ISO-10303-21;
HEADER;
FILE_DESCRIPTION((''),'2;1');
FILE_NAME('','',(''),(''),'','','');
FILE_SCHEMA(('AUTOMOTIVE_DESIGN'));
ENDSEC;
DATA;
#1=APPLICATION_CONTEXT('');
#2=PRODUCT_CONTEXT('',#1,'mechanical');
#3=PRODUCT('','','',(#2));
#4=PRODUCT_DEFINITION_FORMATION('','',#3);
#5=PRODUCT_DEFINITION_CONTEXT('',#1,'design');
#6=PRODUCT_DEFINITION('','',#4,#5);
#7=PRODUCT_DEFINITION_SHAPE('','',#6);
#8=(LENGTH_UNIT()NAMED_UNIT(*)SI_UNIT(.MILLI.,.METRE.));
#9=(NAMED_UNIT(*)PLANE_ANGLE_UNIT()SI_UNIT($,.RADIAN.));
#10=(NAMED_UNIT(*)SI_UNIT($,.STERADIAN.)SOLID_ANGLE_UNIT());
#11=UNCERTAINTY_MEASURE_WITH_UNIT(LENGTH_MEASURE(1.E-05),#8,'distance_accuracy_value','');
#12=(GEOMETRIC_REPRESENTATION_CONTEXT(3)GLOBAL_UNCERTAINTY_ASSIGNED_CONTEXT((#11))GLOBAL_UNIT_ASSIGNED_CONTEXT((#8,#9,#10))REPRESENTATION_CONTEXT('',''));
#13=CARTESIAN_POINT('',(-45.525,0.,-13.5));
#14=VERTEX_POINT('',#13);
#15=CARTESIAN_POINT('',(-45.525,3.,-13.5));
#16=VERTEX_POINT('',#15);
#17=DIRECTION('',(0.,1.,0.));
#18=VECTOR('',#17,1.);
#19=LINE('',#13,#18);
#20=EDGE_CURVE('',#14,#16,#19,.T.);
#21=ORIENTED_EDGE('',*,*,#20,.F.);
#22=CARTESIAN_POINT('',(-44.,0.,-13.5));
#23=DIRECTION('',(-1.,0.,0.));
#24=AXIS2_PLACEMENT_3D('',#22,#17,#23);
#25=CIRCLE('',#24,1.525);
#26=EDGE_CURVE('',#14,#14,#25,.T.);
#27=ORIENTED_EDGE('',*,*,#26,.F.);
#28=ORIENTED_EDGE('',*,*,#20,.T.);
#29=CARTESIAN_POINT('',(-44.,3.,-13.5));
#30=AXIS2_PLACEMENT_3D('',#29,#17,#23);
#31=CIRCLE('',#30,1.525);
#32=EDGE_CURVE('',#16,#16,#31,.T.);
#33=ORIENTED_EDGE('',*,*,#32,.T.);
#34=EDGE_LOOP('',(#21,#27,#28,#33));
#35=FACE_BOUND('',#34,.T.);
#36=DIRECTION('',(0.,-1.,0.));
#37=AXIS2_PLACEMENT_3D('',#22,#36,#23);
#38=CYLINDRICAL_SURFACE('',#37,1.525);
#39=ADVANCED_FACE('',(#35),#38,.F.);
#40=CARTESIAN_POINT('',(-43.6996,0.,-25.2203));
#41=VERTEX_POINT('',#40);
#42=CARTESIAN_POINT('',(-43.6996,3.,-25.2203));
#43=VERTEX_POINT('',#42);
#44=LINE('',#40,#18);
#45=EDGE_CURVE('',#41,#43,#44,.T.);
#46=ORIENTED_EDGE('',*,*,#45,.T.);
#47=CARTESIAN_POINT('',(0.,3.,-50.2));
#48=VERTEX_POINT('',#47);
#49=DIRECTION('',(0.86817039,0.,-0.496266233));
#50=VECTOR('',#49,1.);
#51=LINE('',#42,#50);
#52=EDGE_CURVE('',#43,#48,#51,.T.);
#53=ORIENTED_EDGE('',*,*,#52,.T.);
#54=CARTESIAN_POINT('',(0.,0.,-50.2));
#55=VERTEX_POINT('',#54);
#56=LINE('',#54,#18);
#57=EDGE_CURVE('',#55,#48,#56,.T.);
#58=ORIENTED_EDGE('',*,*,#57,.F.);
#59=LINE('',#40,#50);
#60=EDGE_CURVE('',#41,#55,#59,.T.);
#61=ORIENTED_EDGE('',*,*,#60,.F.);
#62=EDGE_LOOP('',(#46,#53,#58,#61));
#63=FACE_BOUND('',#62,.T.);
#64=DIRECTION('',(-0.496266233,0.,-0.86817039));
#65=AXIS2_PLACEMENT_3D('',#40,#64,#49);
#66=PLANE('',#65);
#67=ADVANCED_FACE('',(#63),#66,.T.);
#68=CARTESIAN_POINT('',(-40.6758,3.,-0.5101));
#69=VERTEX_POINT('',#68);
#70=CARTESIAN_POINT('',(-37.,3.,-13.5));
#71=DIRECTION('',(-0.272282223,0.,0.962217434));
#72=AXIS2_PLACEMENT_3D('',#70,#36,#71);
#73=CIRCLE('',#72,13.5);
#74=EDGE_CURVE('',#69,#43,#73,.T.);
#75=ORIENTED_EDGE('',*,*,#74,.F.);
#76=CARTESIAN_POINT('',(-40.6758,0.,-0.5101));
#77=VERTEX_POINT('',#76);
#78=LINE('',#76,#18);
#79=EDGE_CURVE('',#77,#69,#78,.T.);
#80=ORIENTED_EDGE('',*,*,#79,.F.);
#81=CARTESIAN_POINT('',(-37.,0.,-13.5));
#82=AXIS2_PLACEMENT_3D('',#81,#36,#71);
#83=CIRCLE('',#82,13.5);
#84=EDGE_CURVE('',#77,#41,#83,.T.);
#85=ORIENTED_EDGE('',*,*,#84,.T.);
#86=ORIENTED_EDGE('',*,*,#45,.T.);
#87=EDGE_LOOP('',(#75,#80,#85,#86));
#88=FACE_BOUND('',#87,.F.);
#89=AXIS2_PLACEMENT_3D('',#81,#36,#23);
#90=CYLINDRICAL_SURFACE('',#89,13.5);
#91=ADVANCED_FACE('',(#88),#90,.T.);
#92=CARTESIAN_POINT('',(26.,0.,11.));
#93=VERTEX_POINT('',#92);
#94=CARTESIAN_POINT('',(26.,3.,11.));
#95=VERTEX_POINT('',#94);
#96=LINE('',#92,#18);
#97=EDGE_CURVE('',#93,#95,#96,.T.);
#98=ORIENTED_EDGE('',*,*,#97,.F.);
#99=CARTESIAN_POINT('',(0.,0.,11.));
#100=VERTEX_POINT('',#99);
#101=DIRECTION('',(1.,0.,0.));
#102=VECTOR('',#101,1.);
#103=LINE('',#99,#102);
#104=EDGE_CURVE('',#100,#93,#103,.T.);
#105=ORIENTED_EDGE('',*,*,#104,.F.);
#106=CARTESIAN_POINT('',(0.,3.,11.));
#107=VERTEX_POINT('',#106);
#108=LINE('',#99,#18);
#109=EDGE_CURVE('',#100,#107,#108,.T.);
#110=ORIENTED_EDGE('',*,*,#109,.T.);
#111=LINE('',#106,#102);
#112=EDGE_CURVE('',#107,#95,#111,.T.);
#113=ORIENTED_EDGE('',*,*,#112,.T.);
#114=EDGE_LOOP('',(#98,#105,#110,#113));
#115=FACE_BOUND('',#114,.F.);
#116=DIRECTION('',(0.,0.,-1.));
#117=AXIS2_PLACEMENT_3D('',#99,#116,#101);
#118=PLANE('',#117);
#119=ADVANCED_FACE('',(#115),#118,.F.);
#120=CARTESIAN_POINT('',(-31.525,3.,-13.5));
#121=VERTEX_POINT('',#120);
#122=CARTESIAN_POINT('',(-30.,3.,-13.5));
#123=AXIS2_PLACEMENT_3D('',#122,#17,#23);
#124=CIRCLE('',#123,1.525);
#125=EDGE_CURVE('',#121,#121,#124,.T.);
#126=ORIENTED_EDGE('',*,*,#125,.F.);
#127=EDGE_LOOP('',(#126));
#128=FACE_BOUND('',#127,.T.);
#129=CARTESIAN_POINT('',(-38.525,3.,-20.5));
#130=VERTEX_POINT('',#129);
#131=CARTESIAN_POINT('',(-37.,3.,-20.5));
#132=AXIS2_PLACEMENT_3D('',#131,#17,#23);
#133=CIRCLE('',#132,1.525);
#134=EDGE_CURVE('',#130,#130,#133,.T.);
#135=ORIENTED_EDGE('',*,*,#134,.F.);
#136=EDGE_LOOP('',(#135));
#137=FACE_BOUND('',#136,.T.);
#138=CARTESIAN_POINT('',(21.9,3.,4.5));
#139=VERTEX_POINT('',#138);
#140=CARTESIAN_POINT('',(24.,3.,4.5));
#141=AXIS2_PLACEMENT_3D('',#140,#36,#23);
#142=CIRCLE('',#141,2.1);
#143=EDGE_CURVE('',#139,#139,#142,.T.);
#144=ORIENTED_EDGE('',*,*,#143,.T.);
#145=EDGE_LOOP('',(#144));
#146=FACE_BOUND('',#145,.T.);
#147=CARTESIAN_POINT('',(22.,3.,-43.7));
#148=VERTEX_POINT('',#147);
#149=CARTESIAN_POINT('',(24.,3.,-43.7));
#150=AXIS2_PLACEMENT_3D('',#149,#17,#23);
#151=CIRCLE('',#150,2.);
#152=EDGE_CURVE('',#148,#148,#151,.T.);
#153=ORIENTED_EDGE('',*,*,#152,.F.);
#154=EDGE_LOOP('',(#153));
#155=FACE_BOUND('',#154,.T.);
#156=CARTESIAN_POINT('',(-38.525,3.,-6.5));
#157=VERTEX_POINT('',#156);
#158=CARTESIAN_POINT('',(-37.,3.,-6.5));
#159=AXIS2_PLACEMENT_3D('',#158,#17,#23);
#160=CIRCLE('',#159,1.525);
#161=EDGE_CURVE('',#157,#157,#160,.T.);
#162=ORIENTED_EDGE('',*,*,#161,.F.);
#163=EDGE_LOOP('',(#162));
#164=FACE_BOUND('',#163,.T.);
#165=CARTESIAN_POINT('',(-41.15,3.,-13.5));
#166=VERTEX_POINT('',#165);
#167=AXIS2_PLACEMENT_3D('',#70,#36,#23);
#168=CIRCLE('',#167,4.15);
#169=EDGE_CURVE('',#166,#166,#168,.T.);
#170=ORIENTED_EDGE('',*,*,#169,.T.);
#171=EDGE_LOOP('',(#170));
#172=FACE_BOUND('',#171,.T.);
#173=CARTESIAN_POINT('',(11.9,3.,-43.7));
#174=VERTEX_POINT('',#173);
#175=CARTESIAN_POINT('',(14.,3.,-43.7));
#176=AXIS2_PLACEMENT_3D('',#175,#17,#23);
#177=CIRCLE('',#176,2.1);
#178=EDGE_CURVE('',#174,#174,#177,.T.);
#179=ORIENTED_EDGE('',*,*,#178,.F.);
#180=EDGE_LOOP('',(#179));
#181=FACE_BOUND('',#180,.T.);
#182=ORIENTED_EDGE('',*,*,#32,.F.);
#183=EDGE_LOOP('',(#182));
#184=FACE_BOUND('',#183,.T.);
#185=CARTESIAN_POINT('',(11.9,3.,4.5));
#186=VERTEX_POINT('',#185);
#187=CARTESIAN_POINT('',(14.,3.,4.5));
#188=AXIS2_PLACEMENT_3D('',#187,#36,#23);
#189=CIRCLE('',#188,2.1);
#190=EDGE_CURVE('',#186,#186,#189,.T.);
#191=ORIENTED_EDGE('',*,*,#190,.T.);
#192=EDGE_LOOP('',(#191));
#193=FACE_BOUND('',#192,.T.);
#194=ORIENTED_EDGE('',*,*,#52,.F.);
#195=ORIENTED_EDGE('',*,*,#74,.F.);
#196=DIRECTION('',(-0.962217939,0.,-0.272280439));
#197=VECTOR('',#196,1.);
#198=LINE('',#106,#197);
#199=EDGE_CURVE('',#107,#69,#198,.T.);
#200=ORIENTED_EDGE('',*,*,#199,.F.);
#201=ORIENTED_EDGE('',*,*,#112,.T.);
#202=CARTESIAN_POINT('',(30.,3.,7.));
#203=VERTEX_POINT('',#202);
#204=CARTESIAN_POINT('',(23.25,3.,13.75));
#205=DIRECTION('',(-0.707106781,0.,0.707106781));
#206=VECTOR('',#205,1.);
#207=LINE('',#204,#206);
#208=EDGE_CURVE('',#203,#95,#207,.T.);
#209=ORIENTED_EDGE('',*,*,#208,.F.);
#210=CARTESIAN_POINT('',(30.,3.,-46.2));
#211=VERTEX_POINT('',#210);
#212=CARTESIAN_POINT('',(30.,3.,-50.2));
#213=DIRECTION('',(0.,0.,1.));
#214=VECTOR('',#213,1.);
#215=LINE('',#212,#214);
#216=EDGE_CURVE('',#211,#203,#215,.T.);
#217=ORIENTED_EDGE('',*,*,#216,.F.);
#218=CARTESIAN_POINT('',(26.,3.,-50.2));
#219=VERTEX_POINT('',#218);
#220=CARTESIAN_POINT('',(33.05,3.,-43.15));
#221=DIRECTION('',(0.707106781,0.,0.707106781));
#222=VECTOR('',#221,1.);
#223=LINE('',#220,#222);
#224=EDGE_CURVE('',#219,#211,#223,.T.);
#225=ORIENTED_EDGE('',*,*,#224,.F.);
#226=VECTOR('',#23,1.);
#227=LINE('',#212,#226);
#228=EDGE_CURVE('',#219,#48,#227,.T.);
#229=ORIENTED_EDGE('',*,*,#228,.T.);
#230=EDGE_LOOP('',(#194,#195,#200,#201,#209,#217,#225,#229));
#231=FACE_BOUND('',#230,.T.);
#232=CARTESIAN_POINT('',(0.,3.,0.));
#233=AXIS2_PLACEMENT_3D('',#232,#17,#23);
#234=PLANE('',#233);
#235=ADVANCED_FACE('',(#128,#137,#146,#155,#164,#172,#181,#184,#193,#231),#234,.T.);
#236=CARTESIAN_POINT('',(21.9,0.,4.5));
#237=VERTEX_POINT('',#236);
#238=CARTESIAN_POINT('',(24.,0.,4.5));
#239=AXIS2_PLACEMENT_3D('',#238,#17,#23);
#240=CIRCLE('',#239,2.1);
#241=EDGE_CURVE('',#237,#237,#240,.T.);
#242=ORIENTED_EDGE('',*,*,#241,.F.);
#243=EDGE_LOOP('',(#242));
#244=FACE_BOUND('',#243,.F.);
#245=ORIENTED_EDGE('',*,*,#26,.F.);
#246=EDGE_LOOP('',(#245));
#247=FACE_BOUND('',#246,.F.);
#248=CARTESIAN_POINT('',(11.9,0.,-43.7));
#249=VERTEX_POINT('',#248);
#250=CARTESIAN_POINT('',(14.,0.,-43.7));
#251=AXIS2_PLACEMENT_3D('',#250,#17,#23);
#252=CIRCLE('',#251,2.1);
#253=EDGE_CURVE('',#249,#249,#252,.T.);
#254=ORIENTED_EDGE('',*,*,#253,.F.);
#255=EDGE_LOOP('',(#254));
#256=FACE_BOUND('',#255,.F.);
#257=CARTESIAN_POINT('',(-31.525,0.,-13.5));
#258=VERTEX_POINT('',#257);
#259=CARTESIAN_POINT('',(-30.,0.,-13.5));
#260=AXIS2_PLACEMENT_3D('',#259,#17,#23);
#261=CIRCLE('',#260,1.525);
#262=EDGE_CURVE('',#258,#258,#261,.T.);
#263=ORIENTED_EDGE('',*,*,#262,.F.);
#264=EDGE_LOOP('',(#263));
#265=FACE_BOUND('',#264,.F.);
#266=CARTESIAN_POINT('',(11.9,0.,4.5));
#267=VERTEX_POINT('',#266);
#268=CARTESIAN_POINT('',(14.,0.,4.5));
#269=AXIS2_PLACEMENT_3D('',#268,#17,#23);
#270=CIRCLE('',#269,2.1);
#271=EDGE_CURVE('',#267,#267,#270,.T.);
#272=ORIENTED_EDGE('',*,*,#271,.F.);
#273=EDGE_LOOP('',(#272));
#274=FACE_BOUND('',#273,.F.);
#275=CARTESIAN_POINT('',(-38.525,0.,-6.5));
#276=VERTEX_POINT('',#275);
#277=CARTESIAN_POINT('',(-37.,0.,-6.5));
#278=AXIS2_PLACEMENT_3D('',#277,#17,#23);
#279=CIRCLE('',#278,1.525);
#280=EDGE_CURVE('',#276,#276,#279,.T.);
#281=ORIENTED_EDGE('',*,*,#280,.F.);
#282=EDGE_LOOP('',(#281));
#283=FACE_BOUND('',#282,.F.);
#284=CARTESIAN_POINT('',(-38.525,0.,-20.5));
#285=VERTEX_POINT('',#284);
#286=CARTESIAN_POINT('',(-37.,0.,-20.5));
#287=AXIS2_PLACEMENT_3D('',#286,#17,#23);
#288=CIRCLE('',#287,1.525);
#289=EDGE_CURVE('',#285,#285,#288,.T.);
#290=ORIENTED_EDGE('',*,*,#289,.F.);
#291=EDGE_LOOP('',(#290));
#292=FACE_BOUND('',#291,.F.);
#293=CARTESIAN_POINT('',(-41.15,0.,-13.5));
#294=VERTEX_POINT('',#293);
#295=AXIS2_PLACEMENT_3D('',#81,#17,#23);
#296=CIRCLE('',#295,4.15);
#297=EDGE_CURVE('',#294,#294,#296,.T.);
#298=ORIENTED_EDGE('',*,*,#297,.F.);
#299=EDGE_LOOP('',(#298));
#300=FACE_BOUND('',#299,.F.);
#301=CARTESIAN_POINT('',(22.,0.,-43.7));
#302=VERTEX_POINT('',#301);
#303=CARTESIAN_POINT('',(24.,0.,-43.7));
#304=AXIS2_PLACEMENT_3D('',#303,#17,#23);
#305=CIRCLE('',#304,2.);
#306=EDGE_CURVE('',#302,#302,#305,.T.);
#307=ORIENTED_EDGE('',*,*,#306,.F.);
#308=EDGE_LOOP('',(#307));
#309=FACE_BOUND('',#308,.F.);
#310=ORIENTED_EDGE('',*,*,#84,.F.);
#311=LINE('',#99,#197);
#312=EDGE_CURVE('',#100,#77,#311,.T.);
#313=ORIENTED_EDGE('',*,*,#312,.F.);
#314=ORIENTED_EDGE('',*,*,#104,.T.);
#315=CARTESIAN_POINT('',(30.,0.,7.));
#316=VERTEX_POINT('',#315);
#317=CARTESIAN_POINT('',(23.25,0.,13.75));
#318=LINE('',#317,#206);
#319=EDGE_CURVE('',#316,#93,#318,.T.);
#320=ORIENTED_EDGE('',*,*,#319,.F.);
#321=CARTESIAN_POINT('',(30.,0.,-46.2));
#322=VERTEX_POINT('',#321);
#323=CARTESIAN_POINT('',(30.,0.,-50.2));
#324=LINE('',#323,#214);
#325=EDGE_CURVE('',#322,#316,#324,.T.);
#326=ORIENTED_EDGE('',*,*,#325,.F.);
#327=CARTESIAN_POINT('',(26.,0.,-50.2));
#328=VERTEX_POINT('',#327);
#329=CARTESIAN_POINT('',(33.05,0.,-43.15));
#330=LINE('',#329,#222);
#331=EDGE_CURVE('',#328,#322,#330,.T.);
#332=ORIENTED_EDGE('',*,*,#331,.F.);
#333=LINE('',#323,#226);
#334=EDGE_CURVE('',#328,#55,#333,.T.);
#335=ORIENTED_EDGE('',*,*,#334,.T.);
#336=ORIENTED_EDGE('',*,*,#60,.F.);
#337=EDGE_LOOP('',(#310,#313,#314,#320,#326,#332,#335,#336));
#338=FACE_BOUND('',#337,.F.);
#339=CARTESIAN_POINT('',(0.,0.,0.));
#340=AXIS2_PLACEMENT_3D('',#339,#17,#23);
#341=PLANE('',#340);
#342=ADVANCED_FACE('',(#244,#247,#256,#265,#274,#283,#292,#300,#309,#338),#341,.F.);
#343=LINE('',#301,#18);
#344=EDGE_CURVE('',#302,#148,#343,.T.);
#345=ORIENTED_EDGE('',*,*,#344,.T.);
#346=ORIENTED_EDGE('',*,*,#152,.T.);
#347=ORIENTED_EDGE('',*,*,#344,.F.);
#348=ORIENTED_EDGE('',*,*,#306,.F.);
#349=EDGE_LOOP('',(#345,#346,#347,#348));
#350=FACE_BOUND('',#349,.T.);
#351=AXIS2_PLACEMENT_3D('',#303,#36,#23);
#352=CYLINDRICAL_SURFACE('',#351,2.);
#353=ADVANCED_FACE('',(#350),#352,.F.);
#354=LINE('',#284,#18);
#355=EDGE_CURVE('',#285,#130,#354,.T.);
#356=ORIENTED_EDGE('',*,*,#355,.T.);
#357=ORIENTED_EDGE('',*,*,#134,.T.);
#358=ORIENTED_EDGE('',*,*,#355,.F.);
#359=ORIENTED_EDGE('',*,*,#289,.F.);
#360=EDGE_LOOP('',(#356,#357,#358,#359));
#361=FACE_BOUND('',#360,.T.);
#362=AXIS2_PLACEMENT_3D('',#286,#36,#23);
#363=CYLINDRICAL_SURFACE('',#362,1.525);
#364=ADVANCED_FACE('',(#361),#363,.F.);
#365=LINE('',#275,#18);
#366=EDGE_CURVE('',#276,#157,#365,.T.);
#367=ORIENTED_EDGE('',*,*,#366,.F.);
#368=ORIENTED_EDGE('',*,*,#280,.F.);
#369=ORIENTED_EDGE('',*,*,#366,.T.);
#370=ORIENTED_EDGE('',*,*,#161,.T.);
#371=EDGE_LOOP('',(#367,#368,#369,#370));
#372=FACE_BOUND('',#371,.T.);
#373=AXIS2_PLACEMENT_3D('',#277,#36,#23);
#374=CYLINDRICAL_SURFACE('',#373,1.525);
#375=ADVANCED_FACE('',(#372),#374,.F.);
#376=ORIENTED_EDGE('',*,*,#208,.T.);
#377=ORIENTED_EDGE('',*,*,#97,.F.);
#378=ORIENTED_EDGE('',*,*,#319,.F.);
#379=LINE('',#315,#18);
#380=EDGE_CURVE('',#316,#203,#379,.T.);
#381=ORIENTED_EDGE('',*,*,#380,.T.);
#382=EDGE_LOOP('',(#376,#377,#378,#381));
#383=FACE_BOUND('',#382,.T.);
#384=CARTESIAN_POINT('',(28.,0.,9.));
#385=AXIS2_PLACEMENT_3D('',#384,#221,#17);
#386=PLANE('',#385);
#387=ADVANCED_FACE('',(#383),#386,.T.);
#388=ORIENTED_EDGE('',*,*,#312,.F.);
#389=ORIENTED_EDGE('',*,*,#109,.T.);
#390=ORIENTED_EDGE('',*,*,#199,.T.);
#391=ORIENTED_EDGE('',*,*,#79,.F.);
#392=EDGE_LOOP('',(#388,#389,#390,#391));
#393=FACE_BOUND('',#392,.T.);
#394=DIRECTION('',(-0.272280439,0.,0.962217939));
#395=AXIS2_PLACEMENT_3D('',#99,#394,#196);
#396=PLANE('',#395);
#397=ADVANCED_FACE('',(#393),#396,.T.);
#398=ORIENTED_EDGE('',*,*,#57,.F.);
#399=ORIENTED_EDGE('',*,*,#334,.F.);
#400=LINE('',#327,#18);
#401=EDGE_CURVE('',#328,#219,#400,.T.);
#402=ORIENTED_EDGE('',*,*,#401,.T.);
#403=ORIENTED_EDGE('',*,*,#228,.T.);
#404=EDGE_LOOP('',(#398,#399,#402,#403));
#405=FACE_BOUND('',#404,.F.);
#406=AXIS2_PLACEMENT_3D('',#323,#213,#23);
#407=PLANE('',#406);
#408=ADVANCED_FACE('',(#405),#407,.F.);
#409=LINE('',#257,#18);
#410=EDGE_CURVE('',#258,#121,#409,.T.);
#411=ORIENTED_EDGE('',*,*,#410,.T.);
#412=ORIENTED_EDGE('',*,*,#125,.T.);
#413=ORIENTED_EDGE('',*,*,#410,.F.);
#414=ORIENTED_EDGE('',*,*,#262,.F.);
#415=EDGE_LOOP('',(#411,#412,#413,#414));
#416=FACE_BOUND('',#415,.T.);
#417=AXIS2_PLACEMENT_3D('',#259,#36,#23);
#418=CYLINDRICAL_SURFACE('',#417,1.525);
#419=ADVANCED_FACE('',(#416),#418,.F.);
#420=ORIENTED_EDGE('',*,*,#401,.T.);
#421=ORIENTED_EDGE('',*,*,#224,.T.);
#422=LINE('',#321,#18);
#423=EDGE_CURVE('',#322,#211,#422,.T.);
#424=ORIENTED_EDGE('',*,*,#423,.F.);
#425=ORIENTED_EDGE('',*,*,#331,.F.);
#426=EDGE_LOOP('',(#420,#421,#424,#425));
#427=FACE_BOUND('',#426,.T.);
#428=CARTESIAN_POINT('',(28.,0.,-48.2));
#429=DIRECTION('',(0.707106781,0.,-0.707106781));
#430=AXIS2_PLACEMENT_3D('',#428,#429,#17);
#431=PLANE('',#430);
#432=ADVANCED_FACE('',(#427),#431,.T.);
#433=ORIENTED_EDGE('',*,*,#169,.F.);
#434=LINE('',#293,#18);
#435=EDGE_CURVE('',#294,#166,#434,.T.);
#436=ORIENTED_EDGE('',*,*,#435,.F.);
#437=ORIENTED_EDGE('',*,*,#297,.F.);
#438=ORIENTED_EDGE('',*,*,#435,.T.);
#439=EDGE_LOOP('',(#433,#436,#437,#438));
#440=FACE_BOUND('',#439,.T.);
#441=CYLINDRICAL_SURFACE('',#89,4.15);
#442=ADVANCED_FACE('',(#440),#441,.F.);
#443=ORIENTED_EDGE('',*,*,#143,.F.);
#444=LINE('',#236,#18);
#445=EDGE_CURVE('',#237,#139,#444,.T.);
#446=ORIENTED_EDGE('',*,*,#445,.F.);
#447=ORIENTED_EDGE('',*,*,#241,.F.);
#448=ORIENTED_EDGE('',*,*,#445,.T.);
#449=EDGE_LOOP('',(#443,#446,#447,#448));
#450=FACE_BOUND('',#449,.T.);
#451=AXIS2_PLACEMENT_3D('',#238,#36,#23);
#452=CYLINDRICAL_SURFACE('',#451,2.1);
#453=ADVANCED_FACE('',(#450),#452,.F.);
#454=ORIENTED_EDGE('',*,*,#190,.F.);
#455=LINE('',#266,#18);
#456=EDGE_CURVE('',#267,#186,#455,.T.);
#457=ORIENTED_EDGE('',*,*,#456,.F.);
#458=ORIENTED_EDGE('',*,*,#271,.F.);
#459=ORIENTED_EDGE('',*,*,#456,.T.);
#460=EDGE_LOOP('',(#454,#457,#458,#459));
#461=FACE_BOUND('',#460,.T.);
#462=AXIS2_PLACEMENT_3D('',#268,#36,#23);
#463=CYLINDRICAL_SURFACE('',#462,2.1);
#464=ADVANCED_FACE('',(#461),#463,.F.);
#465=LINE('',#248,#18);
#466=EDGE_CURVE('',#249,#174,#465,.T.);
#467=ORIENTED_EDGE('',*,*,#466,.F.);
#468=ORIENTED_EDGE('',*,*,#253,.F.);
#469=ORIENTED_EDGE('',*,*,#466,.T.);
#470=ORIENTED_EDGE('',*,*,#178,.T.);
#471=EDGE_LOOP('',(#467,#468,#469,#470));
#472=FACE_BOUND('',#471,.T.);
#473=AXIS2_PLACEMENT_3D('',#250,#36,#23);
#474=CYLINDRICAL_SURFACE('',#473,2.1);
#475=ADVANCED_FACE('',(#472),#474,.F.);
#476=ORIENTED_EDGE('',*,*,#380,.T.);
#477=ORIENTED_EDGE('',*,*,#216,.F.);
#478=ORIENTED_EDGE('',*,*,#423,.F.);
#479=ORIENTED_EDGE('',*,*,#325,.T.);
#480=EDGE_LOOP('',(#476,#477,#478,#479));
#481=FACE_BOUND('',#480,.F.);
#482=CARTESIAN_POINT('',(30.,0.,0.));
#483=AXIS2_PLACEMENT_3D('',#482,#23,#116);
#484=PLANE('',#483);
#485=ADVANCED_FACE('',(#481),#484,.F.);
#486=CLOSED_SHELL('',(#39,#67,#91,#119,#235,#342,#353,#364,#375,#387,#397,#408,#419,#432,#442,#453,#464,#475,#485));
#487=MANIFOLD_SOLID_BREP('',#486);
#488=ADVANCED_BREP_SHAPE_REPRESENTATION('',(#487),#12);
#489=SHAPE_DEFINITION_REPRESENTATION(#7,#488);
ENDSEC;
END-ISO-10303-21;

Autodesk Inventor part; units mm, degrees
ref_plane "YZ Plane" through (0, 0, 0) normal (1, 0, 0) x (0, 1, 0)
ref_plane "XZ Plane" through (0, 0, 0) normal (0, 1, 0) x (-1, 0, 0)
ref_plane "XY Plane" through (0, 0, 0) normal (0, 0, 1) x (1, 0, 0)
sketch "草图1" plane through (0, 0, 0) normal (0, 1, 0) x (-1, 0, 0)
  line L0 (37, 0) -> (0, 0)
  line L1 (0, 0) -> (0, -27)
  line L2 (0, -27) -> (37, -27)
  line L3 (37, -27) -> (37, 0)
  circle A0 centre (37, -13.5) radius 13.5
  line L4 (0, 0) -> (-30, 0)
  line L5 (-30, 0) -> (-30, -50.2)
  line L6 (-30, -50.2) -> (0, -50.2)
  line L7 (0, -50.2) -> (0, 0)
  line L8 (0, 11) -> (-30, 11)
  line L9 (-30, 11) -> (-30, 0)
  line L10 (-30, 0) -> (0, 0)
  line L11 (0, 0) -> (0, 11)
  line L12 (0, -13.5) -> (-5.5, -13.5)
  circle A1 centre (-24, 4.5) radius 2.1
  circle A2 centre (-14, 4.5) radius 2.1
  line L13 (-14, 4.5) -> (-24, 4.5)
  line L14 (-14, 4.5) -> (-24, 4.5)
  line L15 (-24, 4.5) -> (-24, -43.7)
  line L16 (-24, -43.7) -> (-14, -43.7)
  line L17 (-14, -43.7) -> (-14, 4.5)
  circle A3 centre (-14, -43.7) radius 2.1
  circle A4 centre (-24, -43.7) radius 2
  line L18 (0, 11) -> (40.6758, -0.5101)
  line L19 (43.6996, -25.2203) -> (0, -50.2)
  circle A5 centre (37, -13.5) radius 4.15
  circle A6 centre (37, -20.5) radius 1.525
  circle A7 centre (37, -6.5) radius 1.525
  circle A8 centre (44, -13.5) radius 1.525
  circle A9 centre (30, -13.5) radius 1.525
  circle A10 centre (37, -13.5) radius 7
  line L20 (37, -13.5) -> (63.1942, -13.5)
  point P0 (0, -13.5)
  dimension "d0" = 27
  dimension "d1" = 37
  dimension "d2" = 30
  dimension "d3" = 24
  dimension "d4" = 4.2
  dimension "d5" = 10
  dimension "d6" = 18
  dimension "d7" = 11
  dimension "d8" = 48.2
  dimension "d9" = 4.2
  dimension "d10" = 4
  dimension "d11" = 6.5
  dimension "d12" = 8.3
  dimension "d13" = 14
  dimension "d14" = 3.05
extrude "拉伸1" add sketch "草图1" along normal blind 3 contours A0 L2 L1 L0 | A0 L20 A8 A10 A7 L3 | L0 L11 L18 A0 | L3 A7 A10 A9 A6 A0 | L1 L7 L6 L5 L4 L15 A4 L16 A3 L17 | L4 L17 A2 L13 A1 L15 L9 L8 L11 | A0 L19 L7 L2 | L3 A6 A10 A8 L20 A0 | L17 A3 L16 A4 L15 L4 | L4 L15 A1 L13 A2 L17 | A7 L3 A5 A6 A10 A9 | A7 A10 A8 L20 A5 L3 | A10 A6 L3 A5 L20 A8
chamfer "倒角1" distance 4 angle 45 2 edges at (30, 1.5, -50.2) (30, 1.5, 11)
properties part number "sh1-short"
